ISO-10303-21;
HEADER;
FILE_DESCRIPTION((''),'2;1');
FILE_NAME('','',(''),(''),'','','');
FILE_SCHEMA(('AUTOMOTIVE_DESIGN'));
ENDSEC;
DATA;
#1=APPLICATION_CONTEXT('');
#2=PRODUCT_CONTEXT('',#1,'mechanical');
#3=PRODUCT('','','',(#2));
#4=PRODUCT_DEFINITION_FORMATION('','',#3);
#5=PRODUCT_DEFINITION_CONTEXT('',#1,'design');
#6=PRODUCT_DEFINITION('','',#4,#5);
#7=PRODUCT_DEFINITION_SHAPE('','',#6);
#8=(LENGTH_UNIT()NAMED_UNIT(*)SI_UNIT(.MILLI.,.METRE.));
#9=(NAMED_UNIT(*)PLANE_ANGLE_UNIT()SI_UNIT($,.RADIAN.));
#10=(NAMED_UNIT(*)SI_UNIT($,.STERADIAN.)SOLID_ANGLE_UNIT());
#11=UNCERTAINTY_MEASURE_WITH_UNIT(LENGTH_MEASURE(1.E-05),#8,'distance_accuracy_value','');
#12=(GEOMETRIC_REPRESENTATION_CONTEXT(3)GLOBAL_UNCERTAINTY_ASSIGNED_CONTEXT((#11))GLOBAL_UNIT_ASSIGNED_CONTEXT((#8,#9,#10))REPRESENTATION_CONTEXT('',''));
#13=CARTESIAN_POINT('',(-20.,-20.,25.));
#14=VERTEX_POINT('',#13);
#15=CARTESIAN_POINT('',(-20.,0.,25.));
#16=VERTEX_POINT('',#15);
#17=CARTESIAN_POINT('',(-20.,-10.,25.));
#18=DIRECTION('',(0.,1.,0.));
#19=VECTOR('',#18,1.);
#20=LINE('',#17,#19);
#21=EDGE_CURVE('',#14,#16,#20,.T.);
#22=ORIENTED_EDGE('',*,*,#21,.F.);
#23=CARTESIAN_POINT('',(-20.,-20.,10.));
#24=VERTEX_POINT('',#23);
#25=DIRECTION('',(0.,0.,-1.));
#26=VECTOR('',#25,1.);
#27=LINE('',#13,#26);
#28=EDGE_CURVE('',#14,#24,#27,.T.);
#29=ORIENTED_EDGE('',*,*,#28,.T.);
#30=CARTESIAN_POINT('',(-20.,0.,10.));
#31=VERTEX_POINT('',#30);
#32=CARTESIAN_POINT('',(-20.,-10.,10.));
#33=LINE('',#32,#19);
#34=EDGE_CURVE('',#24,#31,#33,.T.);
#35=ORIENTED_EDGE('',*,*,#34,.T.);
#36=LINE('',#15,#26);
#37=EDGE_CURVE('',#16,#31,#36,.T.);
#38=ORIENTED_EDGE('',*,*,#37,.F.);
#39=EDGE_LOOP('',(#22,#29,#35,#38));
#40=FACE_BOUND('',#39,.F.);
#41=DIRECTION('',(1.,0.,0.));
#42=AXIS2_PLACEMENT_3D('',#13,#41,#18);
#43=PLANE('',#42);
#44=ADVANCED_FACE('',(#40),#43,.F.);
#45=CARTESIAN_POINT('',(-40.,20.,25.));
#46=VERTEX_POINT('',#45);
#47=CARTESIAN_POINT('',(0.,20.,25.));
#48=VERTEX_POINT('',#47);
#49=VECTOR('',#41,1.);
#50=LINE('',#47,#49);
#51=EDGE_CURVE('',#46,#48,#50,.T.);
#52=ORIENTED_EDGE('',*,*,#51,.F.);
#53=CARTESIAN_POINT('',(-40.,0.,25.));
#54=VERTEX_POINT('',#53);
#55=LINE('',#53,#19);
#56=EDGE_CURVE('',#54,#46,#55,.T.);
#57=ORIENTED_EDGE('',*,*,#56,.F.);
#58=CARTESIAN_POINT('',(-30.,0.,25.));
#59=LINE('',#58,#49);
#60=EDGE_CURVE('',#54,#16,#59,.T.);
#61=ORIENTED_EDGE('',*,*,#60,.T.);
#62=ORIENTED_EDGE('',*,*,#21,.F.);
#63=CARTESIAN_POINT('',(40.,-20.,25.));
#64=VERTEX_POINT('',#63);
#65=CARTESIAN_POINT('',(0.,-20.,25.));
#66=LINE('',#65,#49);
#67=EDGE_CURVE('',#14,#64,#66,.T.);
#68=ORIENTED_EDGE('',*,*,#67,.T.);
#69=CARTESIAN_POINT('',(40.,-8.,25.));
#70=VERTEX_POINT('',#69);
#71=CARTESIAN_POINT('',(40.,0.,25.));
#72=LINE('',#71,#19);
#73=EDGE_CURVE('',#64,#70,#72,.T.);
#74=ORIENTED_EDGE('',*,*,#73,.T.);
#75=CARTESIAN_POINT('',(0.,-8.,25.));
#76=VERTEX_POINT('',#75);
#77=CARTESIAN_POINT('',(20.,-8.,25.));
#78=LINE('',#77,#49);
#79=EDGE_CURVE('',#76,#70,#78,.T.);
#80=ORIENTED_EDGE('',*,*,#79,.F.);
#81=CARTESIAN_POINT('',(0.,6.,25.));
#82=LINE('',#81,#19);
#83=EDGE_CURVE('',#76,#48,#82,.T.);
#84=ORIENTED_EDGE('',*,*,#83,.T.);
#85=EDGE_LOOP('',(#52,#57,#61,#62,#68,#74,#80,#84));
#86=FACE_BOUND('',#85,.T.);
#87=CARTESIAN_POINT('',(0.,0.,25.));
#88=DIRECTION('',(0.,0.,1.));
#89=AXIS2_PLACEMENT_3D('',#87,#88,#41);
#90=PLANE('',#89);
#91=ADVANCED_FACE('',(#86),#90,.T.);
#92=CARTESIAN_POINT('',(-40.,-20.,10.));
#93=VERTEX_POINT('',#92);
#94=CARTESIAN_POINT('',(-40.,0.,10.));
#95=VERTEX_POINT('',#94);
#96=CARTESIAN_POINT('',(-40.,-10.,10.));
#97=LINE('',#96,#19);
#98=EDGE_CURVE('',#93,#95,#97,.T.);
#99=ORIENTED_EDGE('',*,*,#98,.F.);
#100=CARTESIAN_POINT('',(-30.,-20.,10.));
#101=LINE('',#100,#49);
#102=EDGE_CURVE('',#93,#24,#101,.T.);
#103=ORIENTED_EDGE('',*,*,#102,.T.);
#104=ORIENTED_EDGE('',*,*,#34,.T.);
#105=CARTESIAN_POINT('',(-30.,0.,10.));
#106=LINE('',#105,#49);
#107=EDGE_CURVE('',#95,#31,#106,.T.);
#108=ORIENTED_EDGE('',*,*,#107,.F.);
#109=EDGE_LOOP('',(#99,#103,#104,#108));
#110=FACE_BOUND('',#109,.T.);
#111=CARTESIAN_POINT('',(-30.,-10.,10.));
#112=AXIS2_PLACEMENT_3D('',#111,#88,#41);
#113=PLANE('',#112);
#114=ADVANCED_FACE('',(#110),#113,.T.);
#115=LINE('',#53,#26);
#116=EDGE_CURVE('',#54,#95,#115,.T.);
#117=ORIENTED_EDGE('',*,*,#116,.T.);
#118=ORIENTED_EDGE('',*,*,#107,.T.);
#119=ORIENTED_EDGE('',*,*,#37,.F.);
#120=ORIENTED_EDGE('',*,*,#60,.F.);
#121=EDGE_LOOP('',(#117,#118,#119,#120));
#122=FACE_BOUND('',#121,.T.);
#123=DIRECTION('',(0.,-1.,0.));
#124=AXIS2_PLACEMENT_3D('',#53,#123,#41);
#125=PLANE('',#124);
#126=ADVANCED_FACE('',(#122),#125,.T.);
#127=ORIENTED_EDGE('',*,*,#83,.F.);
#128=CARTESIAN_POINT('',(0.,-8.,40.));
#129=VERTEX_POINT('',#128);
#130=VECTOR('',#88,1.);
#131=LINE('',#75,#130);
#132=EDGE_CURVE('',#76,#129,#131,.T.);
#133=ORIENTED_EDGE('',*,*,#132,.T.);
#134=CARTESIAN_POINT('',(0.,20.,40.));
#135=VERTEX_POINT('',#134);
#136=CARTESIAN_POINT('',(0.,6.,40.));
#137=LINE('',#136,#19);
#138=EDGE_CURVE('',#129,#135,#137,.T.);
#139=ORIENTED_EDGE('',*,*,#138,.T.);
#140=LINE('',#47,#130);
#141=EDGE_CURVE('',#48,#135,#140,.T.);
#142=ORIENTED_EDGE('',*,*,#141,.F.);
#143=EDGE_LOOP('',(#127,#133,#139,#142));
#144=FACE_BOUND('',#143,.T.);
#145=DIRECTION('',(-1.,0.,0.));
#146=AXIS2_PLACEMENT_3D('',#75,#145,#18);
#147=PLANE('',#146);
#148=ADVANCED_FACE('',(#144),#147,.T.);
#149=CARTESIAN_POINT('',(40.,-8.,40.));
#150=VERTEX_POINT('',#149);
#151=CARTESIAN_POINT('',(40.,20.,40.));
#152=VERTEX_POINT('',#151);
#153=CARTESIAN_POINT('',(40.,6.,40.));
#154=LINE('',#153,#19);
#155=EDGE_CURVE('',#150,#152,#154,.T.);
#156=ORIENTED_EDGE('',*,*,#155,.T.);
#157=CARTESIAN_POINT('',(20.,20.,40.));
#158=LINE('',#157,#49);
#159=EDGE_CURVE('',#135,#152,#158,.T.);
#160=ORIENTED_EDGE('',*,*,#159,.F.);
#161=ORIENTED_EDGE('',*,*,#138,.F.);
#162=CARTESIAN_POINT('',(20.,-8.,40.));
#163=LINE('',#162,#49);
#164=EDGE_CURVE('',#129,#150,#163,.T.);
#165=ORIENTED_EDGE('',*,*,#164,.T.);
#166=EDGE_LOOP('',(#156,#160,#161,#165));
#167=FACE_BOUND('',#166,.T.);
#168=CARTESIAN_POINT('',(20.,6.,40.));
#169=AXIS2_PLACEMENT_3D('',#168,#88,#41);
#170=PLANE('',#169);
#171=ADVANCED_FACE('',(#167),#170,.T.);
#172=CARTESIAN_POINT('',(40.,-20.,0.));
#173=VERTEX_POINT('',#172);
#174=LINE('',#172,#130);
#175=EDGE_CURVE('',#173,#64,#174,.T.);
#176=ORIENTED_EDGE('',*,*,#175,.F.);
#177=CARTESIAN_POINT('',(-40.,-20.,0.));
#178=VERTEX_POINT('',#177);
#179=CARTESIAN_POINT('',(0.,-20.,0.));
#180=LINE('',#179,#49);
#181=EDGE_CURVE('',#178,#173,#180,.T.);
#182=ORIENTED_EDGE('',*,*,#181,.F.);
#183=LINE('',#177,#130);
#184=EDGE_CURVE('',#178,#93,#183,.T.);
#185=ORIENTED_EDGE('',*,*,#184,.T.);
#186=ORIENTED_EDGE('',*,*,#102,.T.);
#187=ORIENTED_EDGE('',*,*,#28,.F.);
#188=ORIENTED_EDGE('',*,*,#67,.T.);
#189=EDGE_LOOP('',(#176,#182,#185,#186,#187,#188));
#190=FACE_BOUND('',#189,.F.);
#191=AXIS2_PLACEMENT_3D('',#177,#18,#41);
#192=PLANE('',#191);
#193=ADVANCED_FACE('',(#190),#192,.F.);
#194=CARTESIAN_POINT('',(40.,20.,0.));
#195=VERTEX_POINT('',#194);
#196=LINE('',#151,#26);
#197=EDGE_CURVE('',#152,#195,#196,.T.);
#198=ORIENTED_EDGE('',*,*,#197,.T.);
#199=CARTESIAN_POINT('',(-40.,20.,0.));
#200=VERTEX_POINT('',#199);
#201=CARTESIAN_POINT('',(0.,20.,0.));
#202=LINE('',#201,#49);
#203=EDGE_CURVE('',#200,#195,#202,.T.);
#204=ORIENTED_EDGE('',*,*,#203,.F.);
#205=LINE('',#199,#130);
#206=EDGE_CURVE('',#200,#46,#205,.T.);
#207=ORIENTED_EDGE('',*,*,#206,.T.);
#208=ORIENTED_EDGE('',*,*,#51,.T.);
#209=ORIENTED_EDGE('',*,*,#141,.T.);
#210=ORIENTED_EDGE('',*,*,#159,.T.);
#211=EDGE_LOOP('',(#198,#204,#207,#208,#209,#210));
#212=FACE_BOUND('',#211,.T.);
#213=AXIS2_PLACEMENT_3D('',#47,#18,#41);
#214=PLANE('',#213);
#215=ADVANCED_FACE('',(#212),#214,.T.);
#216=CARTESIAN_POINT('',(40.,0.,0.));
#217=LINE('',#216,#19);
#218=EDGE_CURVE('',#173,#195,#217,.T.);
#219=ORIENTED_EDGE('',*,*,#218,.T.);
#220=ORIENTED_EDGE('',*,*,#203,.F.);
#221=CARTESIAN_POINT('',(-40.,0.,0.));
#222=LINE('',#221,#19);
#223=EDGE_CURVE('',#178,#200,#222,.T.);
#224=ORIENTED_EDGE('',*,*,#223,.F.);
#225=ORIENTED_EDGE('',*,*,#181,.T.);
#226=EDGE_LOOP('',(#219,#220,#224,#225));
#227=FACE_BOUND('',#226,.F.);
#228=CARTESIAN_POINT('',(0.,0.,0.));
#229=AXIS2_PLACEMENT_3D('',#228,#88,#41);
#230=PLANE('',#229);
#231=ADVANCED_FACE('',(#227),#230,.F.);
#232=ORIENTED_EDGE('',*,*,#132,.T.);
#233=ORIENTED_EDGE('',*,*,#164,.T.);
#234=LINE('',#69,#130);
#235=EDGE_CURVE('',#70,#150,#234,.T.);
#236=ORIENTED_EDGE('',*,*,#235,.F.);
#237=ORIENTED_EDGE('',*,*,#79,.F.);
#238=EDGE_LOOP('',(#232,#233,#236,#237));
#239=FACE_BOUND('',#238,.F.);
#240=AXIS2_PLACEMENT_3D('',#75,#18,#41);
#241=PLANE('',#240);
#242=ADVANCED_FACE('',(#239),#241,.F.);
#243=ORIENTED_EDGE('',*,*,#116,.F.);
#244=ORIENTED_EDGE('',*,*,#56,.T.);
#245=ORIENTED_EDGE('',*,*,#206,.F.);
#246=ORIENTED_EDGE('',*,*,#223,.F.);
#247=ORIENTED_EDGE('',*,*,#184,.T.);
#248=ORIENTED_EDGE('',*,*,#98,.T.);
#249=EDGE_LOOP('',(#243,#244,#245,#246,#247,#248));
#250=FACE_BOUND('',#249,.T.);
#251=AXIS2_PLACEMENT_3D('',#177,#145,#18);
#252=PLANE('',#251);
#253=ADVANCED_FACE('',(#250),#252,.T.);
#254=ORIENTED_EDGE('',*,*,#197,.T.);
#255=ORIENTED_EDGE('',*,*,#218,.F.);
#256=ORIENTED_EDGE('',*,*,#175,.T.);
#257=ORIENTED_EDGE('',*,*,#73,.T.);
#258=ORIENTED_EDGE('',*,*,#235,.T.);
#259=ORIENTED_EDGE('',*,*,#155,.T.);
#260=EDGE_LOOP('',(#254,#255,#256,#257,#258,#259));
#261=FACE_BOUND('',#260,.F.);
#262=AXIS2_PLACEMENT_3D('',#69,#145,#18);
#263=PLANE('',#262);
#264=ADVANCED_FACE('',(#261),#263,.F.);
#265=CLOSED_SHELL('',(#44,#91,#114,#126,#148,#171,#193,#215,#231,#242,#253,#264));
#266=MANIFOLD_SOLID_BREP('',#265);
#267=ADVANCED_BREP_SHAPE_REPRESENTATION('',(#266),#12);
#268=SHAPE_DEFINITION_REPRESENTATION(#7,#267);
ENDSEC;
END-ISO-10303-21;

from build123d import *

# Parameters (mm, degrees)
F0_W     = 80
F0_H     = 40
F1_DEPTH = 25
F2_W     = 40
F2_H     = 28
F3_DEPTH = 15
F4_W     = 20
F4_H     = 20
F5_DEPTH = 15


with BuildPart() as f1:
    # F0 (on Top) → F1 (new body)
    with BuildSketch(Plane.XY):
        Rectangle(F0_W, F0_H)
    extrude(amount=F1_DEPTH)

    # F2 (on face) → F3 (join)
    with BuildSketch(Plane.XY.offset(25)):
        with Locations((20, 6)):
            Rectangle(F2_W, F2_H)
    extrude(amount=F3_DEPTH)

    # F4 (on face) → F5 (cut)
    with BuildSketch(Plane.XY.offset(25)):
        with Locations((-30, -10)):
            Rectangle(F4_W, F4_H)
    extrude(amount=-F5_DEPTH, mode=Mode.SUBTRACT)


solid = f1.part
